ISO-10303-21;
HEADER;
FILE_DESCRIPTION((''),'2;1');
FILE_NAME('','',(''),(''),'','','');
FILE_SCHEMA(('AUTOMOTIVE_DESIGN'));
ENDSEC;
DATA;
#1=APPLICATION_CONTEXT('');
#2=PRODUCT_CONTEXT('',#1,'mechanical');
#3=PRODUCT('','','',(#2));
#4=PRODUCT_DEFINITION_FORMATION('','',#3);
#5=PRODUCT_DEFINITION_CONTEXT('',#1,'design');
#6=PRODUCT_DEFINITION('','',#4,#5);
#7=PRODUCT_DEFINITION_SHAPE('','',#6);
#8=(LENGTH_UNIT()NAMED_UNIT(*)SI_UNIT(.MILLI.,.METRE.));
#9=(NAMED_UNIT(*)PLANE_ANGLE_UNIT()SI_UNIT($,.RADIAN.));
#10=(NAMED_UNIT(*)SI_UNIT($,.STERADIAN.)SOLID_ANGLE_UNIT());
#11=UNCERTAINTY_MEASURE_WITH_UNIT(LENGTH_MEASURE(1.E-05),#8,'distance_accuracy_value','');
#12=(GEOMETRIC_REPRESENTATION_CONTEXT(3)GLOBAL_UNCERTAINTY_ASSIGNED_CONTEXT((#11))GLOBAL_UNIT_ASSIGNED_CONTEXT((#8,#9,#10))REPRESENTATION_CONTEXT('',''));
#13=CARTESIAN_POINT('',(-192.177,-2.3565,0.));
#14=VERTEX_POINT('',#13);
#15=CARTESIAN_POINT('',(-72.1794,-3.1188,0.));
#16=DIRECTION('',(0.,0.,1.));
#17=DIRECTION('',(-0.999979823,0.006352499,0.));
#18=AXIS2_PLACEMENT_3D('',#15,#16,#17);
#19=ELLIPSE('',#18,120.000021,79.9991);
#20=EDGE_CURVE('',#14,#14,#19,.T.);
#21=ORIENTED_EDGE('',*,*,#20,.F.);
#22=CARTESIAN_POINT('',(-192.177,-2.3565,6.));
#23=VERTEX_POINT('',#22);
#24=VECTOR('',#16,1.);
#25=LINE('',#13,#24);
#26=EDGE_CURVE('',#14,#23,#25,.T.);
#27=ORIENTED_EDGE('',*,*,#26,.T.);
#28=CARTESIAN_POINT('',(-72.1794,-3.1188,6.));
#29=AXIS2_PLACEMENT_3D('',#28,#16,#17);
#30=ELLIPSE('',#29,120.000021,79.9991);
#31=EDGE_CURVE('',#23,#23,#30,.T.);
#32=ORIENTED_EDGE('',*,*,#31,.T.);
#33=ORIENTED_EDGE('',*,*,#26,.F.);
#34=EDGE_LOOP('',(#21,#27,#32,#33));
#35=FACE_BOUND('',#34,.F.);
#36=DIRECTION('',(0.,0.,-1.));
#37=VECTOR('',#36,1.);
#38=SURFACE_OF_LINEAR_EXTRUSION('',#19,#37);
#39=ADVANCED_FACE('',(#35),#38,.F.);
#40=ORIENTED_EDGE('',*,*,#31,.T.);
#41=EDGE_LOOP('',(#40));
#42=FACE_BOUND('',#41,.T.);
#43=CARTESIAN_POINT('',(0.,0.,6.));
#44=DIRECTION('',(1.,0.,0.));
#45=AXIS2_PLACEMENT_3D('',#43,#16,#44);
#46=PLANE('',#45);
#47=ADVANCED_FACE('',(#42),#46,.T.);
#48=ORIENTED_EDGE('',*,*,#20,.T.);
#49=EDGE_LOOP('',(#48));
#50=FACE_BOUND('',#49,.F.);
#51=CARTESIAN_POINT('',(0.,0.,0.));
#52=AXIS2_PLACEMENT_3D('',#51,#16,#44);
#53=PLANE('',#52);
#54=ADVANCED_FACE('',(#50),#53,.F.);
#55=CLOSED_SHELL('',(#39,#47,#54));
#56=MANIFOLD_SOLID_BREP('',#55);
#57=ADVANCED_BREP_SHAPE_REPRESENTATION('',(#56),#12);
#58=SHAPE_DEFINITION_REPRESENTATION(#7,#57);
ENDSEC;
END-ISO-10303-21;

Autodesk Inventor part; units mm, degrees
ref_plane "YZ Plane" through (0, 0, 0) normal (1, 0, 0) x (0, 1, 0)
ref_plane "XZ Plane" through (0, 0, 0) normal (0, 1, 0) x (-1, 0, 0)
ref_plane "XY Plane" through (0, 0, 0) normal (0, 0, 1) x (1, 0, 0)
ref_plane "РабПлоскость1" through (0, 0, 0) normal (0, 0, 1) x (1, 0, 0)
sketch "Эскиз1" plane through (0, 0, 0) normal (0, 0, 1) x (1, 0, 0)
  line L0 (-172.9092, -12.3688) -> (-172.9092, 7.6312) construction
  line L1 (28.5504, 6.1312) -> (-172.9092, -12.3688) construction
  ellipse E0 centre (-72.1794, -3.1188) end of major axis (-192.177, -2.3565) minor radius 79.9991
  point P0 (0, 0)
  point P1 (-72.1794, -83.1188)
  dimension "d2" = 120
  dimension "d3" = 80
extrude "Выдавливание1" add sketch "Эскиз1" along normal blind 6
